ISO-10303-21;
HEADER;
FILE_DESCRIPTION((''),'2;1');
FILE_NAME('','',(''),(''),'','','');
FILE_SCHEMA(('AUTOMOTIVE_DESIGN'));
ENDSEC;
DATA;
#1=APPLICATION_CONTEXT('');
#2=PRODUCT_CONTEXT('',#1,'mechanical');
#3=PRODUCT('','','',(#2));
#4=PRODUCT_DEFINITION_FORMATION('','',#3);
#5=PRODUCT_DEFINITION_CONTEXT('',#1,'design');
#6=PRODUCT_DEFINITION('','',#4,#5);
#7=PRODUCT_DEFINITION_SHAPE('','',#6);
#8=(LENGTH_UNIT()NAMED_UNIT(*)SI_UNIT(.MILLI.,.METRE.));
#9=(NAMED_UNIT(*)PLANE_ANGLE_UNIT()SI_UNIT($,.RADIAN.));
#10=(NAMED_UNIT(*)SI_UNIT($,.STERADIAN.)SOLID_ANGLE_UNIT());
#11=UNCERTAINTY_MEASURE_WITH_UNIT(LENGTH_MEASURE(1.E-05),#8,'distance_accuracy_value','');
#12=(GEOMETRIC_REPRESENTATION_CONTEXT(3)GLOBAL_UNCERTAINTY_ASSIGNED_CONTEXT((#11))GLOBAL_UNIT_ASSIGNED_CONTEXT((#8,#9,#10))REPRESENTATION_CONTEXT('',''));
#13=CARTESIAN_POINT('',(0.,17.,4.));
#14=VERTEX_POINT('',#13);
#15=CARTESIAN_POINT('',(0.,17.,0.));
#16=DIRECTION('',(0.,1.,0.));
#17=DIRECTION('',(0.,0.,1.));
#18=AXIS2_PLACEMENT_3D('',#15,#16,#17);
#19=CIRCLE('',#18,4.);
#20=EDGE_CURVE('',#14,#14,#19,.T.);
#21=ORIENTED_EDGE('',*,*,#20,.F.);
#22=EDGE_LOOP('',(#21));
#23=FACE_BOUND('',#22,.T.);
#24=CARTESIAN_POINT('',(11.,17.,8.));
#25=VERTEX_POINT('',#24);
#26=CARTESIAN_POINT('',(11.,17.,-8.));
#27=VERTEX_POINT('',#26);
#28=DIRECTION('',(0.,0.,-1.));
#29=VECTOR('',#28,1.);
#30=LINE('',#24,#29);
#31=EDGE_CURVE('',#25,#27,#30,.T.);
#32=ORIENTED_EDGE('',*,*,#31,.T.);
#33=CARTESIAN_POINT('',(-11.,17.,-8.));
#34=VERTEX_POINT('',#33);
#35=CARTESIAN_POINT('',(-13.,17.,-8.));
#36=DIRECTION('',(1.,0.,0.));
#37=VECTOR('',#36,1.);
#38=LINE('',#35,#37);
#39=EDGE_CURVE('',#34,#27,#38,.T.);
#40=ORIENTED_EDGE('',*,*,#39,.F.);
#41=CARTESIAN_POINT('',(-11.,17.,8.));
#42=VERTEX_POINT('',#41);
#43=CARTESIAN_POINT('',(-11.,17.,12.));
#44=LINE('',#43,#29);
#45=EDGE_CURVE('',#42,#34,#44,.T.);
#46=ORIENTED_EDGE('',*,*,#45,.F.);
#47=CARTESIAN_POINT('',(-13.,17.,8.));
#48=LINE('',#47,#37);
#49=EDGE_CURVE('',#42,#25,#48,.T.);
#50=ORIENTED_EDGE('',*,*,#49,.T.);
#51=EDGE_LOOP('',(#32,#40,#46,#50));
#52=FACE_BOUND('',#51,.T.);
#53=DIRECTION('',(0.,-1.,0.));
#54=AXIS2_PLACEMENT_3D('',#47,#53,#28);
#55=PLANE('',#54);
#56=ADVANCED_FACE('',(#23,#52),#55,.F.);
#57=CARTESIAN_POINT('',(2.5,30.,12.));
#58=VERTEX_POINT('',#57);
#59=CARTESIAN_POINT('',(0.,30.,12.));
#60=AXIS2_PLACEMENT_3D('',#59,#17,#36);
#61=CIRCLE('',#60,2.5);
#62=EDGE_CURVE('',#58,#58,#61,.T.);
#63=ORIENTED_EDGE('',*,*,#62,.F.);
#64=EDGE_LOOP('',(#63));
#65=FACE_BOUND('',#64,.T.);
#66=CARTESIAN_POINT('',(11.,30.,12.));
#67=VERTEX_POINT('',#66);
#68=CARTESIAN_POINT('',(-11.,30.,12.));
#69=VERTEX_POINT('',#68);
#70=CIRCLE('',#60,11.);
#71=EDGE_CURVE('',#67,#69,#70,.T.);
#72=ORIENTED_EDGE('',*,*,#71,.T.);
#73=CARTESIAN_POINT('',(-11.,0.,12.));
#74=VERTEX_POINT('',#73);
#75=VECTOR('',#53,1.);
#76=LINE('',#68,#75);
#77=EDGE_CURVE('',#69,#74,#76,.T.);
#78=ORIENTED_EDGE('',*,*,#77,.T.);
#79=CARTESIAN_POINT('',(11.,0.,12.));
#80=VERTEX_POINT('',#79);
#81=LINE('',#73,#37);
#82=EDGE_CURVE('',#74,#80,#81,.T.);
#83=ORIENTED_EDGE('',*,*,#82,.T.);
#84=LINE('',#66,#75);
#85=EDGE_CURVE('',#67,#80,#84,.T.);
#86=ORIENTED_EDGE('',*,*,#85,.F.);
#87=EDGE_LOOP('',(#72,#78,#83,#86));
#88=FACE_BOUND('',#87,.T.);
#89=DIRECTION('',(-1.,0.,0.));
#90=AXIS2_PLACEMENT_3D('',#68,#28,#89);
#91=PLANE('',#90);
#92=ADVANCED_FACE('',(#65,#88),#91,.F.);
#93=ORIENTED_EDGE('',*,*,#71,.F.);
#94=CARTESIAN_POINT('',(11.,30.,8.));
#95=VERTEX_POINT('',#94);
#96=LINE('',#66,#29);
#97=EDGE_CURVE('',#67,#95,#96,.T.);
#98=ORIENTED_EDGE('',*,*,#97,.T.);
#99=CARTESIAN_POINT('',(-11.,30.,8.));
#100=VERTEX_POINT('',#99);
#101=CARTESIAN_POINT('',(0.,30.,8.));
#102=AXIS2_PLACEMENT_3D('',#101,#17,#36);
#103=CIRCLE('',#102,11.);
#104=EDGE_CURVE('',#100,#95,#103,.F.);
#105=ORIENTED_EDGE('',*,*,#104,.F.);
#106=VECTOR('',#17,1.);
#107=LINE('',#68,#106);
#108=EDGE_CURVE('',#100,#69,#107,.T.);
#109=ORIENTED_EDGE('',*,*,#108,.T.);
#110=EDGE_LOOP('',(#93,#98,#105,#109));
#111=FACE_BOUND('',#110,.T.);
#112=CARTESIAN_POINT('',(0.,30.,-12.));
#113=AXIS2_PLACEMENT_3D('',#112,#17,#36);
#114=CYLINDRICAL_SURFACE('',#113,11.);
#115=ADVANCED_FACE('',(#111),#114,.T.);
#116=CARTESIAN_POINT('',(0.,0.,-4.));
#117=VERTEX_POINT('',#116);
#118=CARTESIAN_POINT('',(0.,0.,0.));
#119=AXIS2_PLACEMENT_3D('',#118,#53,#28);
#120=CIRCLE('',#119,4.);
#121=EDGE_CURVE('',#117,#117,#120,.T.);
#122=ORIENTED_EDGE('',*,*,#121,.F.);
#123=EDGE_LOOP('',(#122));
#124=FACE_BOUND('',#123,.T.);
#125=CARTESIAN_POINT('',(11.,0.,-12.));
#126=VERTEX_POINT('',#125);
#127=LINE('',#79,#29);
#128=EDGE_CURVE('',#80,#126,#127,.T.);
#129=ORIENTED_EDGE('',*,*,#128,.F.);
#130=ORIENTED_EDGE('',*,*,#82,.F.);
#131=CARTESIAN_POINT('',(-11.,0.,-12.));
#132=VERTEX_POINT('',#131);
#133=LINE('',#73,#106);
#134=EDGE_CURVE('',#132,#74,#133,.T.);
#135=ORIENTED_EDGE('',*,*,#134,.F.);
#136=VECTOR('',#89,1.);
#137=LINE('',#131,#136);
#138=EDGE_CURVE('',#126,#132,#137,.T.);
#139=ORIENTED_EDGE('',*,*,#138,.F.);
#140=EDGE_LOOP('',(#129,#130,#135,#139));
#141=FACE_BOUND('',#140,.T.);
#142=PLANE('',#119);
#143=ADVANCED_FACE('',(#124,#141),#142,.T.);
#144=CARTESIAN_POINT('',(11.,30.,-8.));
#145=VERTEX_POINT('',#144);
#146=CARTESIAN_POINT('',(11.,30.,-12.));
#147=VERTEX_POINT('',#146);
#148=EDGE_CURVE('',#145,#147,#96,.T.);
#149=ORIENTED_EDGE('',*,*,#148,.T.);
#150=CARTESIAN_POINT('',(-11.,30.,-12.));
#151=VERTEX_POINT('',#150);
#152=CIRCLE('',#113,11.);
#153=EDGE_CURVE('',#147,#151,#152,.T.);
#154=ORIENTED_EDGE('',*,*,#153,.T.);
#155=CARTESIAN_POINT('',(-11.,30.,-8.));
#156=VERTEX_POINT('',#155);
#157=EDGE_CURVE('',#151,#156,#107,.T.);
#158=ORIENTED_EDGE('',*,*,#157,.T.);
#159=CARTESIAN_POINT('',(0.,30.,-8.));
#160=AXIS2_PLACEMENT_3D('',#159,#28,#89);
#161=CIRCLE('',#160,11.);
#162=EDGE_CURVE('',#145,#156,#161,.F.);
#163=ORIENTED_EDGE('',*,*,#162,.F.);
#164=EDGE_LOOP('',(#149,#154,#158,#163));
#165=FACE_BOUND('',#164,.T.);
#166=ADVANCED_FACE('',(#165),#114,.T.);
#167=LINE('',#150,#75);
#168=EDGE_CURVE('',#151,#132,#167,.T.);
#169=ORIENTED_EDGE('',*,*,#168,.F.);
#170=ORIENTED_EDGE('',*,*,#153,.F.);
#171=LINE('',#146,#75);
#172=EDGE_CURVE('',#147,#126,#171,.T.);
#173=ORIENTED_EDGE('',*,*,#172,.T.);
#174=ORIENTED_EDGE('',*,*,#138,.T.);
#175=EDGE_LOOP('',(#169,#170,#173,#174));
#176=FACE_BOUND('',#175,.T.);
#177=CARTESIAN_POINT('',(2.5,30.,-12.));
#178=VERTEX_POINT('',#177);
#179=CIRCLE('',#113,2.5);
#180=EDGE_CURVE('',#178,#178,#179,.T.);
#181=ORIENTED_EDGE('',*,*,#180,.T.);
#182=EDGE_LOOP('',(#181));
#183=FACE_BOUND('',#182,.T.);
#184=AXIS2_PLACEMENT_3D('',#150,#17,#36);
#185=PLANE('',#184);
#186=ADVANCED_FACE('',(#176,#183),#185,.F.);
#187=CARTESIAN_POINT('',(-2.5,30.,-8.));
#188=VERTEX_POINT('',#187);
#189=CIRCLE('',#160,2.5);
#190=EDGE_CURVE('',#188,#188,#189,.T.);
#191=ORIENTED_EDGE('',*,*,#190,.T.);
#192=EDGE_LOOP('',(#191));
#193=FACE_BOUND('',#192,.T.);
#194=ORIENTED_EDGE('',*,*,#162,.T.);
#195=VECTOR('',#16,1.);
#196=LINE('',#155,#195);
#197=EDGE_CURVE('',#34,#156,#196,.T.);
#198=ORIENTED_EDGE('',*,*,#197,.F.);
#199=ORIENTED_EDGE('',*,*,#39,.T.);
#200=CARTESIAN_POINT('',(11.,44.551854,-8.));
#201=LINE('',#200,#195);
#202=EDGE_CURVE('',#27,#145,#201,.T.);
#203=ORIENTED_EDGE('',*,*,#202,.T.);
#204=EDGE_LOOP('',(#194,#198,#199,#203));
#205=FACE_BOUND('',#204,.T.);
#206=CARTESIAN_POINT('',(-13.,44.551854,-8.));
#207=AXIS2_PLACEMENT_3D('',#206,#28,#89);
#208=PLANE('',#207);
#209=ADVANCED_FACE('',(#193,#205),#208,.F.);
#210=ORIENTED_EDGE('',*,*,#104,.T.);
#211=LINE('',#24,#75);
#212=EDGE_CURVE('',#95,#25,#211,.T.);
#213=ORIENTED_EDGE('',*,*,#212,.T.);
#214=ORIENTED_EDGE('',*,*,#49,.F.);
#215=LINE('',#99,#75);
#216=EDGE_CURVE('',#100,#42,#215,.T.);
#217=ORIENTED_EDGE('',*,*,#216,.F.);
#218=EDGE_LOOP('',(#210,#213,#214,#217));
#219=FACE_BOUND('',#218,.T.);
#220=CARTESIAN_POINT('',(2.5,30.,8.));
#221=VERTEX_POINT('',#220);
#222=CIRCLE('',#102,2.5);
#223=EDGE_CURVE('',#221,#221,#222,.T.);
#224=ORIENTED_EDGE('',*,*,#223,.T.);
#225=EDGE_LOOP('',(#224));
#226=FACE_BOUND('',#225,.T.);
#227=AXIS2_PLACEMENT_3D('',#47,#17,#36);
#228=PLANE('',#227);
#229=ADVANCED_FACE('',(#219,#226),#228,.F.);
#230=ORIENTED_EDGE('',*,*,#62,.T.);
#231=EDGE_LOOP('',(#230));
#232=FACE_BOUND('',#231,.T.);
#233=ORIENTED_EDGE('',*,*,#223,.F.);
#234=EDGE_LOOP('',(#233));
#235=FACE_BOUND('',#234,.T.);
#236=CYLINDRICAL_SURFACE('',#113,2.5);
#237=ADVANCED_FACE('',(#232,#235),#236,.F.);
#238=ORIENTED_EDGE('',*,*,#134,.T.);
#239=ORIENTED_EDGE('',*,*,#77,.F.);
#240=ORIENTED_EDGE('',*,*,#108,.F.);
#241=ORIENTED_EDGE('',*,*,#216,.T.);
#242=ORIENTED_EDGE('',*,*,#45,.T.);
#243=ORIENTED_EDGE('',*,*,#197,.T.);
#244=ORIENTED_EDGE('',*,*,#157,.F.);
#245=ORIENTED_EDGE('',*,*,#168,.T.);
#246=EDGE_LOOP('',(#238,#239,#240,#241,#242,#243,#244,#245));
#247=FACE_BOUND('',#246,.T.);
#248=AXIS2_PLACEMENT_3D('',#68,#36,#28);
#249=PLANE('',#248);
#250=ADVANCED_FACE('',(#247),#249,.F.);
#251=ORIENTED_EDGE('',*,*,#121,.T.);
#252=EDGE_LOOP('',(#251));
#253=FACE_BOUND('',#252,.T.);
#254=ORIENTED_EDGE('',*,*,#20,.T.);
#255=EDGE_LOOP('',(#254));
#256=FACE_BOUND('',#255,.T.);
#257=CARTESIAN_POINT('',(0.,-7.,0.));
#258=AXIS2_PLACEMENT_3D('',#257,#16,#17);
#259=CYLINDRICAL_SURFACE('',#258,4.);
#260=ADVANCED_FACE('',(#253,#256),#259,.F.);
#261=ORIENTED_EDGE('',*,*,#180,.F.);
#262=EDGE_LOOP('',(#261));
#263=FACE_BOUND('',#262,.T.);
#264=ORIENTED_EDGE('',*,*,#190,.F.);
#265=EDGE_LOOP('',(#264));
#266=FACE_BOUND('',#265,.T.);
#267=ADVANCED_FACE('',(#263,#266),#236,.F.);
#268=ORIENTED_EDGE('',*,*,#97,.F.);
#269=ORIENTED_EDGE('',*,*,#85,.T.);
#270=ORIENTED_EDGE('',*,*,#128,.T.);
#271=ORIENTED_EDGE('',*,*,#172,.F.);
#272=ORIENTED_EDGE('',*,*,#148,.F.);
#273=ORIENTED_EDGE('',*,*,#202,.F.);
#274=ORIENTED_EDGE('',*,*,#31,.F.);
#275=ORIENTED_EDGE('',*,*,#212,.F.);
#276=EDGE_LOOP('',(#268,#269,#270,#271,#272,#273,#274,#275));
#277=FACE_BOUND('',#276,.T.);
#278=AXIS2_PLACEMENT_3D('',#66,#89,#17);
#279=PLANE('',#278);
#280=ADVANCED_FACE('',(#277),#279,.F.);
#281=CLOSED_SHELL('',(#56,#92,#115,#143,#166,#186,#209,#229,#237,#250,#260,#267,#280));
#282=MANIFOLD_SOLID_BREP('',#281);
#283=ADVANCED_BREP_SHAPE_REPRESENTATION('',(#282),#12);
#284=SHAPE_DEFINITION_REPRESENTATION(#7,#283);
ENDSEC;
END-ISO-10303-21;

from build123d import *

# Parameters (mm, degrees)
CROQUIS1_W              = 22
CROQUIS1_H              = 24
SALIENTE_EXTRUIR1_DEPTH = 30
SALIENTE_EXTRUIR2_DEPTH = 24
CROQUIS4_W              = 16
CROQUIS4_H              = 27.551854113
CORTAR_EXTRUIR1_DEPTH   = 24
CROQUIS5_R              = 4
CORTAR_EXTRUIR2_DEPTH   = 24
CROQUIS6_R              = 2.5
CORTAR_EXTRUIR3_DEPTH   = 49.764741361


with BuildPart() as part:
    # Croquis1 → Saliente-Extruir1 (new body)
    with BuildSketch(Plane(origin=(0, 0, 0), x_dir=(1, 0, 0), z_dir=(0, 1, 0))):
        Rectangle(CROQUIS1_W, CROQUIS1_H)
    extrude(amount=SALIENTE_EXTRUIR1_DEPTH)

    # Croquis3 → Saliente-Extruir2 (add)
    with BuildSketch(Plane.XY.offset(12)):
        with BuildLine():
            Line((-11, 30), (11, 30))
            ThreePointArc((11, 30), (0, 41), (-11, 30))
        make_face()
    extrude(amount=-SALIENTE_EXTRUIR2_DEPTH)

    # Croquis4 → Cortar-Extruir1 (cut)
    with BuildSketch(Plane(origin=(11, 0, 0), x_dir=(0, 0, -1), z_dir=(1, 0, 0))):
        with Locations((0, 30.775927057)):
            Rectangle(CROQUIS4_W, CROQUIS4_H)
    extrude(amount=-CORTAR_EXTRUIR1_DEPTH, mode=Mode.SUBTRACT)

    # Croquis5 → Cortar-Extruir2 (cut)
    with BuildSketch(Plane(origin=(0, 17, 0), x_dir=(1, 0, 0), z_dir=(0, 1, 0))):
        with Locations(Location((0, 0, 0), (0, 0, 270))):
            Circle(CROQUIS5_R)
    extrude(amount=-CORTAR_EXTRUIR2_DEPTH, mode=Mode.SUBTRACT)

    # Croquis6 → Cortar-Extruir3 (cut, through all)
    with BuildSketch(Plane.XY.offset(12)):
        with Locations((0, 30)):
            Circle(CROQUIS6_R)
    extrude(amount=-CORTAR_EXTRUIR3_DEPTH, mode=Mode.SUBTRACT)


solid = part.part
